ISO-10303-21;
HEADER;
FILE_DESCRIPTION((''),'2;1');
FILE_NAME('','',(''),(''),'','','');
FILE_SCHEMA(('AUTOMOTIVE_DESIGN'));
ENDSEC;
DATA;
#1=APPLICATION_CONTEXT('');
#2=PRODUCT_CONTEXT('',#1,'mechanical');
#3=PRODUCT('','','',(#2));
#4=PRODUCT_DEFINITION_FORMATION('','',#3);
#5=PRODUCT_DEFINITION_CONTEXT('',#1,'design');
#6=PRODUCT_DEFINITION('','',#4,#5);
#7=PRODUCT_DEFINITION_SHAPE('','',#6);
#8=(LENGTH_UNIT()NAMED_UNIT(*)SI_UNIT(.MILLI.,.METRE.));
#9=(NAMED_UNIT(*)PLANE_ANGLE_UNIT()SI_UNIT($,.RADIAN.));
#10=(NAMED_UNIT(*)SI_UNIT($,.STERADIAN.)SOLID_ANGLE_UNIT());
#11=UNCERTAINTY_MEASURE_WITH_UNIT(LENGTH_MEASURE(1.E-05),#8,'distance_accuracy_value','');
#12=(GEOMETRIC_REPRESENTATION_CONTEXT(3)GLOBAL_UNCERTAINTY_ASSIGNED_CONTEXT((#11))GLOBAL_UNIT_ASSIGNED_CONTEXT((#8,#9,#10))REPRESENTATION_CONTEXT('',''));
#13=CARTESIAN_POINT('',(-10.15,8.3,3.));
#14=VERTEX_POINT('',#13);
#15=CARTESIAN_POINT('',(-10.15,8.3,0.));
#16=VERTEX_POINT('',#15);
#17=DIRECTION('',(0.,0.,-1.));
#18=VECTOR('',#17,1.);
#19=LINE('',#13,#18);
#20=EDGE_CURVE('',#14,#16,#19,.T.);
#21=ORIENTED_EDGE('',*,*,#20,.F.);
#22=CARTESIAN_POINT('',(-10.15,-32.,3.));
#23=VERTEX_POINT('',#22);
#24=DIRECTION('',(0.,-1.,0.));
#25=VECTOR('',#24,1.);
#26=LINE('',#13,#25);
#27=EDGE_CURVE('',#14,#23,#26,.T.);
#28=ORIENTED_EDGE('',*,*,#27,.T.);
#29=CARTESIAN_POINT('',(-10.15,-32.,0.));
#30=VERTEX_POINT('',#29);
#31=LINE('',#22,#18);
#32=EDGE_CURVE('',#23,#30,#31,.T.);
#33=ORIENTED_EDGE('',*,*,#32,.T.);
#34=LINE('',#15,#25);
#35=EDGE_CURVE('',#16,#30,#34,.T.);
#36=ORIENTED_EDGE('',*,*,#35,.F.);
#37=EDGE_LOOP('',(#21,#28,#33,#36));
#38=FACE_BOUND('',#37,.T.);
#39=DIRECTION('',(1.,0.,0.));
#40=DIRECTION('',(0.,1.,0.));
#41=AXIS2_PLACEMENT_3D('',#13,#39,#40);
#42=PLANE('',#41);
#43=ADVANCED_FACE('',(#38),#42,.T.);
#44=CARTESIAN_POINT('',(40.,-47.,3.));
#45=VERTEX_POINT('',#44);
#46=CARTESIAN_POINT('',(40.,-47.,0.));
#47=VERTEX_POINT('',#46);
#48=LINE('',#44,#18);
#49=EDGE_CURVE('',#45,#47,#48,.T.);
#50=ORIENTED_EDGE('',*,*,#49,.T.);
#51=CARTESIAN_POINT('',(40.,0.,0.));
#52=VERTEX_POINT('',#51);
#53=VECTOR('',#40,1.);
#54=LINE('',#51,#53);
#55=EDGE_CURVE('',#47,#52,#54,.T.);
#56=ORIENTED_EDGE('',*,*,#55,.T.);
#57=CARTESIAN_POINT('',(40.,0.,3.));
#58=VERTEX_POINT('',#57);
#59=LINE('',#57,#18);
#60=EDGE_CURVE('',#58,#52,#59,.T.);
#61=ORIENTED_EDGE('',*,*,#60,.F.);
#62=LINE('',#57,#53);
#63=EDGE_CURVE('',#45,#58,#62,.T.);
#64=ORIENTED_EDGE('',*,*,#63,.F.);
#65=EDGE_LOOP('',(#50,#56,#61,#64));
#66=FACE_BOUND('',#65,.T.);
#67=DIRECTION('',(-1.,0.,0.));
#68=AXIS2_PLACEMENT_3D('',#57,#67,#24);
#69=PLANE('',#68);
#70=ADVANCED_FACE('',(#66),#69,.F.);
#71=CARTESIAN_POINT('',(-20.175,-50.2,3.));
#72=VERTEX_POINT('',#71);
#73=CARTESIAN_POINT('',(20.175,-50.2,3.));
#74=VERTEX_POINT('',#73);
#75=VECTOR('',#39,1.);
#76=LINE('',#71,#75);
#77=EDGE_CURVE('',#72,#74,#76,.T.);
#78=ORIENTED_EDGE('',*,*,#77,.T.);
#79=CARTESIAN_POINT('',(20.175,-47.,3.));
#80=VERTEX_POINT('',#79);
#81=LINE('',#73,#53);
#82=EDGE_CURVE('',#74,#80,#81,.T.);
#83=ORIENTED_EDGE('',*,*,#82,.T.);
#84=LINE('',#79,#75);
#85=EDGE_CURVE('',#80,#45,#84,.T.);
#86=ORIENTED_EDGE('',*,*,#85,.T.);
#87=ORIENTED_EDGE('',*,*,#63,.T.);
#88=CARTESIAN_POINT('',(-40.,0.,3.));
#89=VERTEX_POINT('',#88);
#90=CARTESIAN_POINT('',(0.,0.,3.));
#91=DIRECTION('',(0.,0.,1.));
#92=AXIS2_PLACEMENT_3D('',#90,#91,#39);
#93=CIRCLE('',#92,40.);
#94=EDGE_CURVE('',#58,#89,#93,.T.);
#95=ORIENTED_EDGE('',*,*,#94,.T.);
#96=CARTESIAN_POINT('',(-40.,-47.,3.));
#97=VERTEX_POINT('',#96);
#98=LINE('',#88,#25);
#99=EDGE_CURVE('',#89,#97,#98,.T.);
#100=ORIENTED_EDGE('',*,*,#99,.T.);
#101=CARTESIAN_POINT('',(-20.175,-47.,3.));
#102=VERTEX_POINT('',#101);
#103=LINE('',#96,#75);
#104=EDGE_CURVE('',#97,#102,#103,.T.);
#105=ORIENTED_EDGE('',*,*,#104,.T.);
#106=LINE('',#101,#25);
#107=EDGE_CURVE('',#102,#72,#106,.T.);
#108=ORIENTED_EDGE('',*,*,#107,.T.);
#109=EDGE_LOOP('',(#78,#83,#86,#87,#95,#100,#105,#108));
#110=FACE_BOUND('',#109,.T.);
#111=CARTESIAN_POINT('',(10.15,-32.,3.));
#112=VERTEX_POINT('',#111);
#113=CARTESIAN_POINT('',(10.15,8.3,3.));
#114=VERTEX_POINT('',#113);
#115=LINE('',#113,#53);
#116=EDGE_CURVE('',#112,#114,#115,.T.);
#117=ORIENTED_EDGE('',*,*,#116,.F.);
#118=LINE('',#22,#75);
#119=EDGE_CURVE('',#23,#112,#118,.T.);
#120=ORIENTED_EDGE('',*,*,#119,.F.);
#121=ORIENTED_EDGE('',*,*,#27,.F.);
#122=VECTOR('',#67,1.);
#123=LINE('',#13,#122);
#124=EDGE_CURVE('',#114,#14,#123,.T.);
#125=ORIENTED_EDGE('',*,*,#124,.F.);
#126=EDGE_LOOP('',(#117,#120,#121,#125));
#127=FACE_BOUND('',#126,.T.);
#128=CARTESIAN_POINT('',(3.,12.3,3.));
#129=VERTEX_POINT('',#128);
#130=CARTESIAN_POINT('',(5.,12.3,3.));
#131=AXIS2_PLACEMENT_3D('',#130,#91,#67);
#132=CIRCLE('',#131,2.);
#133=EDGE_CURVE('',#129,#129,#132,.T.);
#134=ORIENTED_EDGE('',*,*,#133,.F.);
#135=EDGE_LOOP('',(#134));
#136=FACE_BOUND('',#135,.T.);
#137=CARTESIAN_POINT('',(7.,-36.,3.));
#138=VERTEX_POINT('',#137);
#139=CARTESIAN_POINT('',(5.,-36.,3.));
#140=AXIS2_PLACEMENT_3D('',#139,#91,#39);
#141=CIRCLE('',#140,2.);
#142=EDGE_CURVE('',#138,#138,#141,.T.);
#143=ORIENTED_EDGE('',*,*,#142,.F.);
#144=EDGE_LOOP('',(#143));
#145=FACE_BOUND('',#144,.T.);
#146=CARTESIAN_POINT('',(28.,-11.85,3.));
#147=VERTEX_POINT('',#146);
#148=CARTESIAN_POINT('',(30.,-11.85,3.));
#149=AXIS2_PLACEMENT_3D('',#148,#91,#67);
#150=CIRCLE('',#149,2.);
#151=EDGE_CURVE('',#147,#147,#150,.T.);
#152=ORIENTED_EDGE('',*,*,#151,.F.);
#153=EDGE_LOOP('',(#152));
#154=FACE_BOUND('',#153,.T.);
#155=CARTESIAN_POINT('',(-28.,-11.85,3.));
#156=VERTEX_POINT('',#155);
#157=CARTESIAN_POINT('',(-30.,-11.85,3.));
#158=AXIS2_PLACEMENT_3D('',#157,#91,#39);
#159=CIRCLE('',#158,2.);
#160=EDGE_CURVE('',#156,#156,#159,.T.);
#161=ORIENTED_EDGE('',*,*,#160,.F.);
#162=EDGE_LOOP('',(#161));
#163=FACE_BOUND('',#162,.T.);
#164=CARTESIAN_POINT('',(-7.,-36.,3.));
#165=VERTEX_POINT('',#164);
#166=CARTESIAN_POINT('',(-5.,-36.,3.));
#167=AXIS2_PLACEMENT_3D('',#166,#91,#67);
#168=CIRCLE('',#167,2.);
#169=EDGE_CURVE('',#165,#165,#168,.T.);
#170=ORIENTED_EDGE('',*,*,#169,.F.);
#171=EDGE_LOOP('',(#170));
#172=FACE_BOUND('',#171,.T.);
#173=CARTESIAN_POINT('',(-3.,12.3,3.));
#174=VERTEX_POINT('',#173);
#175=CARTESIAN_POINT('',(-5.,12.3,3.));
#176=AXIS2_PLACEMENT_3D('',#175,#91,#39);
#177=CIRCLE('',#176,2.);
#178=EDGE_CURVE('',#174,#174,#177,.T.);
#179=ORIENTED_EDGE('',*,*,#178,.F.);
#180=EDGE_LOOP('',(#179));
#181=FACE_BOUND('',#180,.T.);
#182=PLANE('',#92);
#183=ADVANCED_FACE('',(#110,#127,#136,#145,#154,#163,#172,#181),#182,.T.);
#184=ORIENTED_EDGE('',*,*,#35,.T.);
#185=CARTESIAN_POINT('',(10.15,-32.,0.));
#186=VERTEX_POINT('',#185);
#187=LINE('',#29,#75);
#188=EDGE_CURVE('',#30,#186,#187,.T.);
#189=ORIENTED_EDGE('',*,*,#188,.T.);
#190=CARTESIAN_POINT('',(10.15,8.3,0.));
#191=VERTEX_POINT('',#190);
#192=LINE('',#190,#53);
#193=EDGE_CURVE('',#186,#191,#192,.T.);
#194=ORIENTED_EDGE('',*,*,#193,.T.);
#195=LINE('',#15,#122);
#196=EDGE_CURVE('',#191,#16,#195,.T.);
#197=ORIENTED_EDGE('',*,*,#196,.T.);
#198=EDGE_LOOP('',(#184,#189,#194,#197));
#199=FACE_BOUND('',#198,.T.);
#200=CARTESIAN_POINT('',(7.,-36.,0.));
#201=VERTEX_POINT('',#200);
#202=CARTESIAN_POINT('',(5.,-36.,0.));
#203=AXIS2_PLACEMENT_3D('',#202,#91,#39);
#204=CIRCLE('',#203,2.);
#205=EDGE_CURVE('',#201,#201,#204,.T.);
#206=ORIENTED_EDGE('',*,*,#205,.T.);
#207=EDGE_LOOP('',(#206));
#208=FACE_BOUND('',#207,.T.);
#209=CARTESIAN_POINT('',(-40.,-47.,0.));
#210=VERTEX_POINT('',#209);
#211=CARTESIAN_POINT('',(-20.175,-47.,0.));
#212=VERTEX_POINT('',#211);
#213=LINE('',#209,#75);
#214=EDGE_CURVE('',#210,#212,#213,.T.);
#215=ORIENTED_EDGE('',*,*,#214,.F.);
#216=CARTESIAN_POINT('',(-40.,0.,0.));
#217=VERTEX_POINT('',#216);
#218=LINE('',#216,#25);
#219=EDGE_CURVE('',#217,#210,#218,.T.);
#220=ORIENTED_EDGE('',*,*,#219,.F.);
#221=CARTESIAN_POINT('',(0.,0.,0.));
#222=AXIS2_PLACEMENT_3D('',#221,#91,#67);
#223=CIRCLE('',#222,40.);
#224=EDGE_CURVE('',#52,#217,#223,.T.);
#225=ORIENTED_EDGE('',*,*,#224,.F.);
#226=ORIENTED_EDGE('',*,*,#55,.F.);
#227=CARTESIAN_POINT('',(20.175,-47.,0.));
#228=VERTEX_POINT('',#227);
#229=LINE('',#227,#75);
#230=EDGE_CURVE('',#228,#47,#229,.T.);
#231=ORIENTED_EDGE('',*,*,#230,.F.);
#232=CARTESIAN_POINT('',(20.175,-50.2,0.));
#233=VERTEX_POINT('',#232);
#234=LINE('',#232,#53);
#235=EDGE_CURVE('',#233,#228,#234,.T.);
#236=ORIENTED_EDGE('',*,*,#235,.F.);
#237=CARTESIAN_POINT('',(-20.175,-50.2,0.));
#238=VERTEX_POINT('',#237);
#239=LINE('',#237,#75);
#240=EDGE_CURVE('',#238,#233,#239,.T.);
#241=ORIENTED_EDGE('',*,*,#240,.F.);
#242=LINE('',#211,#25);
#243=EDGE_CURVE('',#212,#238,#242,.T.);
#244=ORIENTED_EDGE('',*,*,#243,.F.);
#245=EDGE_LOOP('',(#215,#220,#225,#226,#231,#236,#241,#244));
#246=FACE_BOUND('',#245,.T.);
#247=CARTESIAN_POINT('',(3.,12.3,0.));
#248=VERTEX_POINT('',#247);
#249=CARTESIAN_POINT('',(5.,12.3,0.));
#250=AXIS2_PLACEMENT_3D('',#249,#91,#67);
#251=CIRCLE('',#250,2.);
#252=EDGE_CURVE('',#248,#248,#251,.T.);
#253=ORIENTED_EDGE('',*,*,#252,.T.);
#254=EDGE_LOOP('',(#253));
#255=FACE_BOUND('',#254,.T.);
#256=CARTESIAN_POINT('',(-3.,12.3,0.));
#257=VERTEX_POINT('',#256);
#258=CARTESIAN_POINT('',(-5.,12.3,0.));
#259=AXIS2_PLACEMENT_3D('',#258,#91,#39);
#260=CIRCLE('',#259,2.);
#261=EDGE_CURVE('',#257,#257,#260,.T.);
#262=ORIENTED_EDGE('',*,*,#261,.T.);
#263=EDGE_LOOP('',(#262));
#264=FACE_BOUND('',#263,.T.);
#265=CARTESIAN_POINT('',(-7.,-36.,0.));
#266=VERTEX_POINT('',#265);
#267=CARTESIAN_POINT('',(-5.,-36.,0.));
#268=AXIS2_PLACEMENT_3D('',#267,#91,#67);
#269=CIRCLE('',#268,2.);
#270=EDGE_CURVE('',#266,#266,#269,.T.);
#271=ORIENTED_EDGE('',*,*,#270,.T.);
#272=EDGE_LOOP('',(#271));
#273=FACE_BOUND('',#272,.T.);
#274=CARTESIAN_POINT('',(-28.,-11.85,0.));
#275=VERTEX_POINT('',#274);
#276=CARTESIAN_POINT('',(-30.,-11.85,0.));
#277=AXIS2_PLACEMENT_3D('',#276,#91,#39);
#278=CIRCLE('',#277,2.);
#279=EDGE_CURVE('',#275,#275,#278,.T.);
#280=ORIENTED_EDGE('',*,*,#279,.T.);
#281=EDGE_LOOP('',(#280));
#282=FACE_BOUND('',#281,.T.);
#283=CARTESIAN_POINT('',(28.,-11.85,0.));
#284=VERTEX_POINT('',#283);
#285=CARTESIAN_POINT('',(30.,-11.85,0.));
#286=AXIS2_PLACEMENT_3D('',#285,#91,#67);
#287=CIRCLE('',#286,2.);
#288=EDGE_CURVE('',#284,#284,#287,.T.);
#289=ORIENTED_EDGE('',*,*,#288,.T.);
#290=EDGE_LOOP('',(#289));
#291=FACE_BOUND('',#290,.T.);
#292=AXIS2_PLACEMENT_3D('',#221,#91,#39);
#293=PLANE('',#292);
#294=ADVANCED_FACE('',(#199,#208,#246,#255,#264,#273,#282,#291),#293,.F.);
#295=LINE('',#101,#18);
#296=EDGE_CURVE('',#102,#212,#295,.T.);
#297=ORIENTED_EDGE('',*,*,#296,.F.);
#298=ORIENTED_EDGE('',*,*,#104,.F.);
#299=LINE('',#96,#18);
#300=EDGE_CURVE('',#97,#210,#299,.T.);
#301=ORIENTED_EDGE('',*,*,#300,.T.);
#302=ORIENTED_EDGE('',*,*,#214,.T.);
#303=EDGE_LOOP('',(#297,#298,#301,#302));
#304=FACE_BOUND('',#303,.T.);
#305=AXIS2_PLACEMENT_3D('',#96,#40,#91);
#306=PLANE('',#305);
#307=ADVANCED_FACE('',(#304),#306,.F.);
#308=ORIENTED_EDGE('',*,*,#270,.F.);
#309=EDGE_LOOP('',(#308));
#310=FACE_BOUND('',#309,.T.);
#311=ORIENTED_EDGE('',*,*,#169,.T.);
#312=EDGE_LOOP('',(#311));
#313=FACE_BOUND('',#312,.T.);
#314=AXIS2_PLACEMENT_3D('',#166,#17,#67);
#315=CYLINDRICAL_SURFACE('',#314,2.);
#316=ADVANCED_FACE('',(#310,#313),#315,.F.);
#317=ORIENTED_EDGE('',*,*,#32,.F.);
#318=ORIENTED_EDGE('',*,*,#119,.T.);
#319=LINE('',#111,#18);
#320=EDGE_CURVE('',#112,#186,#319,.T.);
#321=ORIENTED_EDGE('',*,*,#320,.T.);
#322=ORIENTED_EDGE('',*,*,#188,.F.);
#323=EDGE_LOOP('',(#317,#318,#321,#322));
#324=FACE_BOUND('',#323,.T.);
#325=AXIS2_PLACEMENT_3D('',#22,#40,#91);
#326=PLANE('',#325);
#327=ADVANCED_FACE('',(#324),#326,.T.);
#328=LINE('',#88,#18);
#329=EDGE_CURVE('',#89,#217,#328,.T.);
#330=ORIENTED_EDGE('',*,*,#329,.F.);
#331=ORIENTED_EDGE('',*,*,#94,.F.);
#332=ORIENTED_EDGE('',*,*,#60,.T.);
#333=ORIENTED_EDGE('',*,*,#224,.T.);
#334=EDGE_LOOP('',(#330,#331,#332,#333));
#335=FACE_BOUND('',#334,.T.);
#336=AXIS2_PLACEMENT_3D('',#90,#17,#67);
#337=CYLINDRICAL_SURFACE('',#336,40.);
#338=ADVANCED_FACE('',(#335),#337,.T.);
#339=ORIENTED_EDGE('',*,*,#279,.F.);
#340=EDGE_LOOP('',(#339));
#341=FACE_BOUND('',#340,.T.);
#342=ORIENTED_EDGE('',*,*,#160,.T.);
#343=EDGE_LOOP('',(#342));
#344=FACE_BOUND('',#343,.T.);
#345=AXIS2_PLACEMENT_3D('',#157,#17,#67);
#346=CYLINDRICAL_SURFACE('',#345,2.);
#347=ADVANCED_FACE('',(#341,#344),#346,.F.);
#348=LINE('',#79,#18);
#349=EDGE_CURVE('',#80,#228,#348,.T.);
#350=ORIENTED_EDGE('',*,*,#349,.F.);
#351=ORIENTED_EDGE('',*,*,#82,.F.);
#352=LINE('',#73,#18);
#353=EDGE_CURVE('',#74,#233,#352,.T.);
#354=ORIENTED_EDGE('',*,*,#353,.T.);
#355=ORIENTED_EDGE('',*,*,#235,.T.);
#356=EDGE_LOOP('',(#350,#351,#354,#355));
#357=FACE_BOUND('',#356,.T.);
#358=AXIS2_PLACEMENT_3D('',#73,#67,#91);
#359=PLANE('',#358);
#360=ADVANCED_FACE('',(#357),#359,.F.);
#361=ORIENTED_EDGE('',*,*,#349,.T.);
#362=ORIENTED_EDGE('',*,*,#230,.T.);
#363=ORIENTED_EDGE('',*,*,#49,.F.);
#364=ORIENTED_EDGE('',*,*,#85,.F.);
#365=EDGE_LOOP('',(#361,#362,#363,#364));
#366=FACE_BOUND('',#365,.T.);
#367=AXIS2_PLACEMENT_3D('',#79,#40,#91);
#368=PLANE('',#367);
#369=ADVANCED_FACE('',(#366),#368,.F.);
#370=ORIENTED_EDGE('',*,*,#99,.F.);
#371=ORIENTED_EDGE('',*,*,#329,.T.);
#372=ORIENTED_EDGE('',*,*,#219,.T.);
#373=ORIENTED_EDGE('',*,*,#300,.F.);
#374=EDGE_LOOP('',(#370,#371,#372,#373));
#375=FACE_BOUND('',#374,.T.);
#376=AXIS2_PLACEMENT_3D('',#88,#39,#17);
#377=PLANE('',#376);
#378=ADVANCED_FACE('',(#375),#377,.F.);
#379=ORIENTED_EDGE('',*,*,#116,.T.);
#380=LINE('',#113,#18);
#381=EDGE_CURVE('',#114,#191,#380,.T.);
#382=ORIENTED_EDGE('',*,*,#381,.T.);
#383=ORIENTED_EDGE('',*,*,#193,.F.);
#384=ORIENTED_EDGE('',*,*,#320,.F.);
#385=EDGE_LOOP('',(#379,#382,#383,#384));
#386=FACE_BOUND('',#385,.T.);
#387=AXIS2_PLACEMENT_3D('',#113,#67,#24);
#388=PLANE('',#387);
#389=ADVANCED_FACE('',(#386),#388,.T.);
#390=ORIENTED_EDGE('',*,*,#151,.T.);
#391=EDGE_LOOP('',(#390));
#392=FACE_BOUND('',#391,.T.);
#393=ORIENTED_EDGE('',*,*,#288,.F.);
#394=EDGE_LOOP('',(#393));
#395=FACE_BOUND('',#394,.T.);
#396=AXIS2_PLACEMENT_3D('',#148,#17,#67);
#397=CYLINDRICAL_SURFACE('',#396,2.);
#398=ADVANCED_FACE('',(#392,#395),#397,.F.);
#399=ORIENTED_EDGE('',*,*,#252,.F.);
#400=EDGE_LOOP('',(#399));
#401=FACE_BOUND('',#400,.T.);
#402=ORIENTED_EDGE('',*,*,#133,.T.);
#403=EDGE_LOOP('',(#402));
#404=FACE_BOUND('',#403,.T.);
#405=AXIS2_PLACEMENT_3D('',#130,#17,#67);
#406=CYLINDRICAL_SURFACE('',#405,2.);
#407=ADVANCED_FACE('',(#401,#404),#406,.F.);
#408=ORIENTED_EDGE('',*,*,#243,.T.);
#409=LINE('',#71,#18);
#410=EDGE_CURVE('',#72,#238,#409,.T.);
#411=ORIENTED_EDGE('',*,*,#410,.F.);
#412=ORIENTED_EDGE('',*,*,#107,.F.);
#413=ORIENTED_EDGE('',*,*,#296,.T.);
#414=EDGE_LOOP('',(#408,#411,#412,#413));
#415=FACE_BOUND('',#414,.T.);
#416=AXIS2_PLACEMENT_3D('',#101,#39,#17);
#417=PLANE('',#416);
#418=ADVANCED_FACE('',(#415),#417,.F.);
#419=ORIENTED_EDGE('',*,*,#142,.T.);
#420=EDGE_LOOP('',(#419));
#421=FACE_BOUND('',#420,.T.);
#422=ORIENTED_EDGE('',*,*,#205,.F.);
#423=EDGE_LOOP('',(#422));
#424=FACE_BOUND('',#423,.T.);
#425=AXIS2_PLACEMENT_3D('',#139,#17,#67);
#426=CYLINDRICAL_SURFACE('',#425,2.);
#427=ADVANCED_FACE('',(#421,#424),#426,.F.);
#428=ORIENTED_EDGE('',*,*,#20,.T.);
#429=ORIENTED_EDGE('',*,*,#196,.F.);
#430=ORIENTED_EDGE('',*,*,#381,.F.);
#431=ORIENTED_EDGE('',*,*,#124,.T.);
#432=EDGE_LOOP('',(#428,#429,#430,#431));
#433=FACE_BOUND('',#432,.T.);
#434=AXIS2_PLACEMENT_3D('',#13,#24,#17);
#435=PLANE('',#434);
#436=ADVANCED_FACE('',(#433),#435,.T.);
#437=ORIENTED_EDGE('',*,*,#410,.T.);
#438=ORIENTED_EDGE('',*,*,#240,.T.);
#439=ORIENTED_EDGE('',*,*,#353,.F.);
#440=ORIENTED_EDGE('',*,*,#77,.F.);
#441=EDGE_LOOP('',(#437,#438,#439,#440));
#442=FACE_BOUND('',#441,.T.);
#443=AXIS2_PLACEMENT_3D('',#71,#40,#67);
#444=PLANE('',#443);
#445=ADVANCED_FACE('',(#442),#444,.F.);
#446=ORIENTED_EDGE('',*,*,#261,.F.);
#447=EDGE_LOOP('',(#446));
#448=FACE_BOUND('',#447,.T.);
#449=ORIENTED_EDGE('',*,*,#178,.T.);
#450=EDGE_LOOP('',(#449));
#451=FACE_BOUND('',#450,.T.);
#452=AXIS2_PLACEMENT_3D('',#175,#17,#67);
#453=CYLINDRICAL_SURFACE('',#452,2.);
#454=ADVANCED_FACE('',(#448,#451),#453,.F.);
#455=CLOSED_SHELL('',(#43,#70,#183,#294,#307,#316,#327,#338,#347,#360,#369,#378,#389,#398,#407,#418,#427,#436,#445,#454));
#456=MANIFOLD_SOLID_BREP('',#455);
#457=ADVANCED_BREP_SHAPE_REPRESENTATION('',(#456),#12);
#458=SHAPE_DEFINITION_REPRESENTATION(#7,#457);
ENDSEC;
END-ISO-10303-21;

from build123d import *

# Parameters (mm, degrees)
CROQUIS1_R              = 2
CROQUIS1_W              = 20.3
CROQUIS1_H              = 40.3
SALIENTE_EXTRUIR1_DEPTH = 3


with BuildPart() as part:
    # Croquis1 → Saliente-Extruir1 (new body)
    with BuildSketch(Plane.XY):
        with BuildLine():
            Line((40, 0), (40, -47))
            Line((40, -47), (20.175, -47))
            Line((20.175, -47), (20.175, -50.2))
            Line((20.175, -50.2), (-20.175, -50.2))
            Line((-20.175, -50.2), (-20.175, -47))
            Line((-20.175, -47), (-40, -47))
            Line((-40, -47), (-40, 0))
            ThreePointArc((-40, 0), (-28.284271247, 28.284271247), (0, 40))
            ThreePointArc((0, 40), (28.284271247, 28.284271247), (40, 0))
        make_face()
        with Locations((-5, 12.3)):
            Circle(CROQUIS1_R, mode=Mode.SUBTRACT)
        with Locations(Location((5, 12.3, 0), (0, 0, 180))):
            Circle(CROQUIS1_R, mode=Mode.SUBTRACT)
        with Locations((5, -36)):
            Circle(CROQUIS1_R, mode=Mode.SUBTRACT)
        with Locations(Location((-5, -36, 0), (0, 0, 180))):
            Circle(CROQUIS1_R, mode=Mode.SUBTRACT)
        with Locations((-30, -11.85)):
            Circle(CROQUIS1_R, mode=Mode.SUBTRACT)
        with Locations(Location((30, -11.85, 0), (0, 0, 180))):
            Circle(CROQUIS1_R, mode=Mode.SUBTRACT)
        with Locations((0, -11.85)):
            Rectangle(CROQUIS1_W, CROQUIS1_H, mode=Mode.SUBTRACT)
    extrude(amount=SALIENTE_EXTRUIR1_DEPTH)


solid = part.part
